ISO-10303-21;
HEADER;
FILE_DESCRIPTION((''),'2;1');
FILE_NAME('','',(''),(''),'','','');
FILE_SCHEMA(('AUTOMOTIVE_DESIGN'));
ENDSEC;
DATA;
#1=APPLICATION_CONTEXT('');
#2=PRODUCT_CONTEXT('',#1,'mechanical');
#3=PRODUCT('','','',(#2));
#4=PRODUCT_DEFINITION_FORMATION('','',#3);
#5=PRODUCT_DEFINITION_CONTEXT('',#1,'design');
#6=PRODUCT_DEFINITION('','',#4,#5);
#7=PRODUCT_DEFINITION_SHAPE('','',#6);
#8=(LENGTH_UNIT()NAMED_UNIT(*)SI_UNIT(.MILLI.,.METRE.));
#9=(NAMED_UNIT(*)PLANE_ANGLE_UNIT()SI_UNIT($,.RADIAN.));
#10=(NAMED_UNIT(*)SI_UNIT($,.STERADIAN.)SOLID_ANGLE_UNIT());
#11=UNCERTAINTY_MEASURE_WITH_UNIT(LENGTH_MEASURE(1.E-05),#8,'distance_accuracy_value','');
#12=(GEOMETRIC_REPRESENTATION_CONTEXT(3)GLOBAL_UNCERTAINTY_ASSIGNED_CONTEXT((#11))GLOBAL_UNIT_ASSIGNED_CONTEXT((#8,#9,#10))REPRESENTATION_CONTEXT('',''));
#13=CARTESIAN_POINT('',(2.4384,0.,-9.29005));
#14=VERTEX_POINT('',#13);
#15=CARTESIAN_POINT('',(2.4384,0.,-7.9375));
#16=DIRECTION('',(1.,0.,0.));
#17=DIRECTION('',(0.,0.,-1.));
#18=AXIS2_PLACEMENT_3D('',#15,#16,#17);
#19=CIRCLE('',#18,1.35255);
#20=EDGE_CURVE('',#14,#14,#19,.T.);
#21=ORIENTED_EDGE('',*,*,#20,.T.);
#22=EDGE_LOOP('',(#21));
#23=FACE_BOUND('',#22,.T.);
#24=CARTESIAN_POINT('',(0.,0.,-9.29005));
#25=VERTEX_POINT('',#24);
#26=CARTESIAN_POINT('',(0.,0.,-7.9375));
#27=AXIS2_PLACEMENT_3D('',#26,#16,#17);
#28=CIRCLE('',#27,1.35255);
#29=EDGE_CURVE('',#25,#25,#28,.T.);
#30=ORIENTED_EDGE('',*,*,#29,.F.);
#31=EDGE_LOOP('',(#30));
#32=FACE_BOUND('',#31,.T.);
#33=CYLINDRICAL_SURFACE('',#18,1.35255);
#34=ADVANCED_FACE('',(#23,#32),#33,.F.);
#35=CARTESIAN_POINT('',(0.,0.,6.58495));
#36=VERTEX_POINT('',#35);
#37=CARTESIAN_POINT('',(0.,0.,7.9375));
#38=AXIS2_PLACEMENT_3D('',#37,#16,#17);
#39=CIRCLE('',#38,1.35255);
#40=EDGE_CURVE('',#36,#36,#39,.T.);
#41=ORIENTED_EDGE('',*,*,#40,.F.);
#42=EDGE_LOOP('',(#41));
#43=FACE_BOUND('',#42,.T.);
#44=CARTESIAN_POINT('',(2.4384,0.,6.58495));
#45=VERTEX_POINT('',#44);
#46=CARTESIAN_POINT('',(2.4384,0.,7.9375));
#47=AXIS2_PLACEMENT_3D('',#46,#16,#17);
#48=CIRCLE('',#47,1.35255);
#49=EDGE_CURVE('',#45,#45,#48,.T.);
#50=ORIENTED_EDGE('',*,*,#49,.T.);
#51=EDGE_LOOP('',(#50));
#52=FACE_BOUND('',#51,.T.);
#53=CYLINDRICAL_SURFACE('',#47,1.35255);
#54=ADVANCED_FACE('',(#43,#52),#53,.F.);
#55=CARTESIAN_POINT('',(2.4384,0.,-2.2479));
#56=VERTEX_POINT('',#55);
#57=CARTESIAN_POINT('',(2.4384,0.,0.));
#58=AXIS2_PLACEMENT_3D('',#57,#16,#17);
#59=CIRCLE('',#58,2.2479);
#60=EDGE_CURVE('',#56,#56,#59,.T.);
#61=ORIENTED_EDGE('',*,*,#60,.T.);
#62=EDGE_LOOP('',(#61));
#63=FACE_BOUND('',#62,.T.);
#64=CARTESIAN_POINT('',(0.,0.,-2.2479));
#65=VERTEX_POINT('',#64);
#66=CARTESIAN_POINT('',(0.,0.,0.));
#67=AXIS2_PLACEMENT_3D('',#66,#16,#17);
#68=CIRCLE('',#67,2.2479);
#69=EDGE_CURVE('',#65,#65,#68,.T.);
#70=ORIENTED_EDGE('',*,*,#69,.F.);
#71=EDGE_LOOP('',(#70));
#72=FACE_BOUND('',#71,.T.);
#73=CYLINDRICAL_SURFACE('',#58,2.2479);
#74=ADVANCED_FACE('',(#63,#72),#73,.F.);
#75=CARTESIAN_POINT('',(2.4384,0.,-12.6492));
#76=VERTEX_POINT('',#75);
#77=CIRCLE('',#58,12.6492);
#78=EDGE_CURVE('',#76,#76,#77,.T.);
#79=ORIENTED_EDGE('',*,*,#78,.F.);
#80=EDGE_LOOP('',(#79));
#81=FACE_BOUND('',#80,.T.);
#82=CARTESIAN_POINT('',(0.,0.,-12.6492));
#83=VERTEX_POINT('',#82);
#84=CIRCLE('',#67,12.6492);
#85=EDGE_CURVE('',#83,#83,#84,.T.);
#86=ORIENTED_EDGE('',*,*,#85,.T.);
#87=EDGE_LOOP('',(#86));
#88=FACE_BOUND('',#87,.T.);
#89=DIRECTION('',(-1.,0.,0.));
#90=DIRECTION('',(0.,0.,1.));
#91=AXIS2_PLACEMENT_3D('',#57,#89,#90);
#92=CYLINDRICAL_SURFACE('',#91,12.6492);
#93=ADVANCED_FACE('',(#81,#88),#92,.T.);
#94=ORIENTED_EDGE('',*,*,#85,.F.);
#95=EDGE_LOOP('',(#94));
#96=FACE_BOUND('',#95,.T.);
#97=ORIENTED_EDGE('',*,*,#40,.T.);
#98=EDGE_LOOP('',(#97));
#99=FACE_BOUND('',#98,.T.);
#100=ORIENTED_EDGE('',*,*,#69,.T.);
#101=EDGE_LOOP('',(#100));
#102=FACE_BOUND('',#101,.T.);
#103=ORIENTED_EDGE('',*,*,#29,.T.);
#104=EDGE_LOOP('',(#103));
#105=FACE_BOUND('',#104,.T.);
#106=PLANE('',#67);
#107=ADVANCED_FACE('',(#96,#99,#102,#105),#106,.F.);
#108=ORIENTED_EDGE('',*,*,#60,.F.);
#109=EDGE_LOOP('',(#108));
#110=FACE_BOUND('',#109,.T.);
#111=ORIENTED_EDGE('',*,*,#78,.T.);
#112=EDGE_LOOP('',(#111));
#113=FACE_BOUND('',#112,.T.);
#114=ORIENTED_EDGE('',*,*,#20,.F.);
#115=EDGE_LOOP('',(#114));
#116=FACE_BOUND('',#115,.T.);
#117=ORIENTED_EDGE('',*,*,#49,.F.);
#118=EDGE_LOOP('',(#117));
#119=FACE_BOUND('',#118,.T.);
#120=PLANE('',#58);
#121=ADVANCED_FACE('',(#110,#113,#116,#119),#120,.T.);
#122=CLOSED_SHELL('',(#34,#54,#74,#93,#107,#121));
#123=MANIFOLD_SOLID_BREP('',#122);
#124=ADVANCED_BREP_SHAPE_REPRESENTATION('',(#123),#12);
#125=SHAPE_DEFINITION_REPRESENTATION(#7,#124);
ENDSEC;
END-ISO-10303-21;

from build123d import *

# Parameters (mm, degrees)
SKETCH1_R                     = 12.6492
BOSS_EXTRUDE1_DEPTH           = 2.4384
F_8_THREADED_ROD_CLEARANCE_D  = 4.4958
EJECTION_CHARGE_PASSTHROUGH_D = 2.7051


with BuildPart() as part:
    # Sketch1 → Boss-Extrude1 (new body)
    with BuildSketch(Plane(origin=(0, 0, 0), x_dir=(0, 0, -1), z_dir=(1, 0, 0))):
        Circle(SKETCH1_R)
    extrude(amount=BOSS_EXTRUDE1_DEPTH)

    # #8 Threaded Rod Clearance (through all)
    with Locations(Plane(origin=(2.4384, 0, 0), x_dir=(0, 0, -1), z_dir=(1, 0, 0))):
        with Locations((0, 0)):
            Hole(F_8_THREADED_ROD_CLEARANCE_D / 2)

    # Ejection Charge Passthrough (through all)
    with Locations(Plane(origin=(2.4384, 0, 0), x_dir=(0, 0, -1), z_dir=(1, 0, 0))):
        with Locations((-7.9375, 0), (7.9375, 0)):
            Hole(EJECTION_CHARGE_PASSTHROUGH_D / 2)


solid = part.part
